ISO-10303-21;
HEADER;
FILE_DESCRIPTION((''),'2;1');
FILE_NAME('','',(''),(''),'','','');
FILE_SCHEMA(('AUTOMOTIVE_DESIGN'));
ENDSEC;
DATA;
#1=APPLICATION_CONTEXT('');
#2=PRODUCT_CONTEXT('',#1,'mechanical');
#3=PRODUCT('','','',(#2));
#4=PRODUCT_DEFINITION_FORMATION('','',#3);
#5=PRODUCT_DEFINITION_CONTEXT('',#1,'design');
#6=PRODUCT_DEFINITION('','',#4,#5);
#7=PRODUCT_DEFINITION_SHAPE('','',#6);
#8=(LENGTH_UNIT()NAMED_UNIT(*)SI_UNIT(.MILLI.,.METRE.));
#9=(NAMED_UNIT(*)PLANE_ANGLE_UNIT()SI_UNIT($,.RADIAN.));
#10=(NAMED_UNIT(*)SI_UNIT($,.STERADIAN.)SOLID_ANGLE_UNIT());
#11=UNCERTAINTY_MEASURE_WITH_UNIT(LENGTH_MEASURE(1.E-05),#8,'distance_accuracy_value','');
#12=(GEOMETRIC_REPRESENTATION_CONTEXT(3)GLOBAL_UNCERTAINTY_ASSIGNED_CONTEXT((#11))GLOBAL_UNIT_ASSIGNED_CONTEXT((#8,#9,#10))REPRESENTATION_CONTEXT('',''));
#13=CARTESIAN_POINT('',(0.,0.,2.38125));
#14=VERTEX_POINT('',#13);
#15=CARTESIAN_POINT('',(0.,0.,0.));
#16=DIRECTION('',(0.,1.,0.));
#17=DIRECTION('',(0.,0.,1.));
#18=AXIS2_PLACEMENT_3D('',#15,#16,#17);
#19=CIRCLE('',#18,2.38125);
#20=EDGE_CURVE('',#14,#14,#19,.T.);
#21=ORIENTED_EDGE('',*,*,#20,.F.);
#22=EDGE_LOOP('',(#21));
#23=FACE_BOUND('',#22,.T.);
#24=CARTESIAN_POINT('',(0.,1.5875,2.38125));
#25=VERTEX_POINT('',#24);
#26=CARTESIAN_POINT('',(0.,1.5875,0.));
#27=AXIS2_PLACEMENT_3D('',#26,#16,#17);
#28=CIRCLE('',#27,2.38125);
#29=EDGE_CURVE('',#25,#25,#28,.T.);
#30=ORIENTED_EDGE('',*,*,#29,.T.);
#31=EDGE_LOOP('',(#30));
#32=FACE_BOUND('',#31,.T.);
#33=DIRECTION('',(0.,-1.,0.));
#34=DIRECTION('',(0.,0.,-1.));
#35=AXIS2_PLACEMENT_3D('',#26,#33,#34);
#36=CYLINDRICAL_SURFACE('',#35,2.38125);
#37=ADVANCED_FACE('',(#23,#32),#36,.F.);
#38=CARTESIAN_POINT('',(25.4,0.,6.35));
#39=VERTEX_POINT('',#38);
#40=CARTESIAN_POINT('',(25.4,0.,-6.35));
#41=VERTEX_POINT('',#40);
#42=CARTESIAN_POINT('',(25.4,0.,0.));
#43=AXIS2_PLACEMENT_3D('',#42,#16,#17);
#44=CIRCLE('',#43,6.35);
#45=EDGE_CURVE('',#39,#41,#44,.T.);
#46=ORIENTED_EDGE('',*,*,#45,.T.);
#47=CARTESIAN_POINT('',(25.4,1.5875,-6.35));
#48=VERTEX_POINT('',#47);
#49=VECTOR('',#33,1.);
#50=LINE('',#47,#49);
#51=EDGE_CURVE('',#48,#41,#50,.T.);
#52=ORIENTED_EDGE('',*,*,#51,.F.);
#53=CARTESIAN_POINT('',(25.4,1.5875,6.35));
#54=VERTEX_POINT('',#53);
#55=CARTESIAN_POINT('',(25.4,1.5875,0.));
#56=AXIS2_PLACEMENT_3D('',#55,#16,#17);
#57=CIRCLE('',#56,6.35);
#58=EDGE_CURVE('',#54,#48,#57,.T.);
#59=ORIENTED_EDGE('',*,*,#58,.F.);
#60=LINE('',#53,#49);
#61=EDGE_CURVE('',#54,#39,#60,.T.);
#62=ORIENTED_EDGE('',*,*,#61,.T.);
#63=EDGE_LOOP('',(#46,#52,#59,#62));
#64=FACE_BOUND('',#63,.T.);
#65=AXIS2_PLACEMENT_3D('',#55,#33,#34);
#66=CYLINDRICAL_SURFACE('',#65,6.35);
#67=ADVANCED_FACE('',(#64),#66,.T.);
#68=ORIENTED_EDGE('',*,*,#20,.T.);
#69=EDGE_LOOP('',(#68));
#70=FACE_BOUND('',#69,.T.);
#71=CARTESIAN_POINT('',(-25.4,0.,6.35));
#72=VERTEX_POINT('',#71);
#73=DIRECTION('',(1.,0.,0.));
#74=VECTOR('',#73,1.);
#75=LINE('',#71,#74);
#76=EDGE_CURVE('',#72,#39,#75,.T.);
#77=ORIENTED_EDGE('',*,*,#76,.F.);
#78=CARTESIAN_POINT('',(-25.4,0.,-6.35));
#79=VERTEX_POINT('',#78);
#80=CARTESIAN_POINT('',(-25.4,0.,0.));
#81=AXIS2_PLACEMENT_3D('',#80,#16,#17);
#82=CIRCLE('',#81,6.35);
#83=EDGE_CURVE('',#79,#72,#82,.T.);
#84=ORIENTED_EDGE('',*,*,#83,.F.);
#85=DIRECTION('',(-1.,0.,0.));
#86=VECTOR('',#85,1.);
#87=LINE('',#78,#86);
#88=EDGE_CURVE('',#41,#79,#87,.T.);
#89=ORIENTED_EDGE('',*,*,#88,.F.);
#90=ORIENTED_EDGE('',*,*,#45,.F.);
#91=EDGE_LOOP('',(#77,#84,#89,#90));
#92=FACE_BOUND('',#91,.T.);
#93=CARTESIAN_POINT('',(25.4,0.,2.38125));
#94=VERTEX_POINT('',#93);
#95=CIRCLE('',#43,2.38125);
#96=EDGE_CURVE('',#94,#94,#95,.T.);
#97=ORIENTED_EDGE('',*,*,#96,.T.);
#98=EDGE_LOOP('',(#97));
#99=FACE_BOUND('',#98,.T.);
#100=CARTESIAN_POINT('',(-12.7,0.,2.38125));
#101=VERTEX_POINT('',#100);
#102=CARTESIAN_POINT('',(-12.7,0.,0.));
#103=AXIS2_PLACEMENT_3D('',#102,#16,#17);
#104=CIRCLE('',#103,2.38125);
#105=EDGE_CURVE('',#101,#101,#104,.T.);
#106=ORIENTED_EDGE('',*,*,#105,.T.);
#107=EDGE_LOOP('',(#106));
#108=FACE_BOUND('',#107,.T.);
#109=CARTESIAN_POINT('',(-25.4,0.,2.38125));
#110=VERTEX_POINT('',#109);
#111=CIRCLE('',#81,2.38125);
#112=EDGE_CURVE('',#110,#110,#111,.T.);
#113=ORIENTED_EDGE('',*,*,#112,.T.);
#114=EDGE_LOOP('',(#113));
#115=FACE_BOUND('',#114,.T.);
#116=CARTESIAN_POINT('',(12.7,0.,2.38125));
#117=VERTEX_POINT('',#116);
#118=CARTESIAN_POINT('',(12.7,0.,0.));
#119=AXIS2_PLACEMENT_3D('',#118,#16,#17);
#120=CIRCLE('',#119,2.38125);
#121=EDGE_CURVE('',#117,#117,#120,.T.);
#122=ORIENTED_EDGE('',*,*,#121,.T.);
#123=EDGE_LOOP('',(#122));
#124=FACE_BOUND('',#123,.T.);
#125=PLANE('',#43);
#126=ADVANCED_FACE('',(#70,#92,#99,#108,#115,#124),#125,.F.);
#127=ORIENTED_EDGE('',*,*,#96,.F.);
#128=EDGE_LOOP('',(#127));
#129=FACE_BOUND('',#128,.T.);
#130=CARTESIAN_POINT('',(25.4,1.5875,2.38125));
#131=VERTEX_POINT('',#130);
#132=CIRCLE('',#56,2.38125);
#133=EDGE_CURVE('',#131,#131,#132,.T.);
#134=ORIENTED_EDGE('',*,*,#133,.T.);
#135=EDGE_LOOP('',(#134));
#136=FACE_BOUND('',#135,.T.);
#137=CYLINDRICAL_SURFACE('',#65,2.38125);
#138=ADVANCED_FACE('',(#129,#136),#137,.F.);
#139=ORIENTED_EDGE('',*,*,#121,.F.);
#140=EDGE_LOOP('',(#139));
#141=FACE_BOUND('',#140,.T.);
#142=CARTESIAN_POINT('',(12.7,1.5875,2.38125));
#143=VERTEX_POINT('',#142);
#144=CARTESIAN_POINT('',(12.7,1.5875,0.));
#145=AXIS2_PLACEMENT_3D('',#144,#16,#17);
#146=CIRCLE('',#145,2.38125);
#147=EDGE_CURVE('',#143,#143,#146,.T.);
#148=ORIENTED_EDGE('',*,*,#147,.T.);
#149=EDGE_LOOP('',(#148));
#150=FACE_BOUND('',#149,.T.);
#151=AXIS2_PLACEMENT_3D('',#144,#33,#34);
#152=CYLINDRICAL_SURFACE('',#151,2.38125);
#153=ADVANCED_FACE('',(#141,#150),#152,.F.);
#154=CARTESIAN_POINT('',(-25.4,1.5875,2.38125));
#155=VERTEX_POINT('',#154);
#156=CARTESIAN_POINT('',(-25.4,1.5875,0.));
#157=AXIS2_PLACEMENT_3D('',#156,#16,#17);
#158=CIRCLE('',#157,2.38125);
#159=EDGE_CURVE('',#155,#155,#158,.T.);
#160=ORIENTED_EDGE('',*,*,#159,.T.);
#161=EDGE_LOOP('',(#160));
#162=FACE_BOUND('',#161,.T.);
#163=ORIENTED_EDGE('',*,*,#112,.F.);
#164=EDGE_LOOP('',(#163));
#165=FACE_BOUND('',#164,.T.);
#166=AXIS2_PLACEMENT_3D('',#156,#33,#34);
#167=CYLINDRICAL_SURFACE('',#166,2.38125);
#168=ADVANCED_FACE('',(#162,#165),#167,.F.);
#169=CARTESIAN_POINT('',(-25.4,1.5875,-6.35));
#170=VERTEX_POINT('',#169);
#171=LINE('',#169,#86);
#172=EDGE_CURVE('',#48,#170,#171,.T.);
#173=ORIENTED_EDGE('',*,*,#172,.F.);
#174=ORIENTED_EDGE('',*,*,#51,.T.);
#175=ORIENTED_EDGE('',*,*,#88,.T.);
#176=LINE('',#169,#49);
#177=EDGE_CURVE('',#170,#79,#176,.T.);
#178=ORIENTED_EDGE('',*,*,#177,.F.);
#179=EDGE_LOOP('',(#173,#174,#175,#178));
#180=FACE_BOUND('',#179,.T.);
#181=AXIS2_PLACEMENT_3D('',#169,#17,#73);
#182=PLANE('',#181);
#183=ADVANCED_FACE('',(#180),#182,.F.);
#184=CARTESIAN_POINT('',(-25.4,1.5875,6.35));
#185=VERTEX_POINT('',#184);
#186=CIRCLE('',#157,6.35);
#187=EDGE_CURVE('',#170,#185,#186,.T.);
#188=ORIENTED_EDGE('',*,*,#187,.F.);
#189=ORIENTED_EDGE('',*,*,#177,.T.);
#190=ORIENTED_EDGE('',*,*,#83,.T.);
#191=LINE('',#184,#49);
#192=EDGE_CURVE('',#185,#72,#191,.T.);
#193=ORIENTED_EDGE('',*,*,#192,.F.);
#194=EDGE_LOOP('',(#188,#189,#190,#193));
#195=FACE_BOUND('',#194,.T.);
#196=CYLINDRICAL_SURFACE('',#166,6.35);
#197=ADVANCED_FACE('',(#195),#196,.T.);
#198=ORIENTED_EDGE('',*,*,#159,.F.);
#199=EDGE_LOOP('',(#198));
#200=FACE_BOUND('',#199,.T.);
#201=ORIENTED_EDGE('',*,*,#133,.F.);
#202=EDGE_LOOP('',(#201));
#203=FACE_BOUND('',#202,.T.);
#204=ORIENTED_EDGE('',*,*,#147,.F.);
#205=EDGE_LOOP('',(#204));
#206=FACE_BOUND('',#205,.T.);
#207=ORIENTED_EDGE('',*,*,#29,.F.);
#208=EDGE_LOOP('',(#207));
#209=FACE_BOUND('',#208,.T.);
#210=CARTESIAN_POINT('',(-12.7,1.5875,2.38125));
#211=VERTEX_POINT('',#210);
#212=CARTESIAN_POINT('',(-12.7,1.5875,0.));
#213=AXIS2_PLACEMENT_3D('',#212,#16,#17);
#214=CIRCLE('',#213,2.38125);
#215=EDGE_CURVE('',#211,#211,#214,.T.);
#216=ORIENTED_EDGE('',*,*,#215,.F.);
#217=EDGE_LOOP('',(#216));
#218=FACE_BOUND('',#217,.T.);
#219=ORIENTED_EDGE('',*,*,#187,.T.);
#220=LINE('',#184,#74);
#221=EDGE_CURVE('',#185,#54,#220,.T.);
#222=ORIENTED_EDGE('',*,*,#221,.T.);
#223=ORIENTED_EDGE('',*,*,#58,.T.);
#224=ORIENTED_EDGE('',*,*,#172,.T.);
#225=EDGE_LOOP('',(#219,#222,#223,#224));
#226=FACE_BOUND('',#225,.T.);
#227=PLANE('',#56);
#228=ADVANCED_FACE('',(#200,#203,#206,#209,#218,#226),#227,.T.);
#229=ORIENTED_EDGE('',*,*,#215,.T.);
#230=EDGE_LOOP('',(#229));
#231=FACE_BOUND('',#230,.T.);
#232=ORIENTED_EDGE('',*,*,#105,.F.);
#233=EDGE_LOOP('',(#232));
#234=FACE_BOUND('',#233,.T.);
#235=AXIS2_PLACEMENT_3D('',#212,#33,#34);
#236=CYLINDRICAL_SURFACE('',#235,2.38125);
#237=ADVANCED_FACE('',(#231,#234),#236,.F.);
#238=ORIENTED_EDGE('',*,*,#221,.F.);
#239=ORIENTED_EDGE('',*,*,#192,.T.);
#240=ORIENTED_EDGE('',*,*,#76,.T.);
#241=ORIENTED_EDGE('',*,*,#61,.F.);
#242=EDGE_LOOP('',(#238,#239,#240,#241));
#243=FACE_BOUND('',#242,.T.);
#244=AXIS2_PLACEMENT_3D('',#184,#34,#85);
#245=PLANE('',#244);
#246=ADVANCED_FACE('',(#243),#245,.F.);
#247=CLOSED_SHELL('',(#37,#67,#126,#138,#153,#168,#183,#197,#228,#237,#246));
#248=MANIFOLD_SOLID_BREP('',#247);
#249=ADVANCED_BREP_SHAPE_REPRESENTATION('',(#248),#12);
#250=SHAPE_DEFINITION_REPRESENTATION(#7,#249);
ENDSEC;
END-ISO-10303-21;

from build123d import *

# Parameters (mm, degrees)
SKETCH1_R           = 2.38125
BOSS_EXTRUDE1_DEPTH = 1.5875


with BuildPart() as part:
    # Sketch1 → Boss-Extrude1 (new body)
    with BuildSketch(Plane(origin=(0, 0, 0), x_dir=(1, 0, 0), z_dir=(0, 1, 0))):
        with BuildLine():
            Line((-25.4, -6.35), (25.4, -6.35))
            ThreePointArc((25.4, -6.35), (31.75, 0), (25.4, 6.35))
            Line((25.4, 6.35), (-25.4, 6.35))
            ThreePointArc((-25.4, 6.35), (-31.75, 0), (-25.4, -6.35))
        make_face()
        with Locations((-25.4, 0)):
            Circle(SKETCH1_R, mode=Mode.SUBTRACT)
        with Locations((-12.7, 0)):
            Circle(SKETCH1_R, mode=Mode.SUBTRACT)
        Circle(SKETCH1_R, mode=Mode.SUBTRACT)
        with Locations((12.7, 0)):
            Circle(SKETCH1_R, mode=Mode.SUBTRACT)
        with Locations((25.4, 0)):
            Circle(SKETCH1_R, mode=Mode.SUBTRACT)
    extrude(amount=BOSS_EXTRUDE1_DEPTH)


solid = part.part
